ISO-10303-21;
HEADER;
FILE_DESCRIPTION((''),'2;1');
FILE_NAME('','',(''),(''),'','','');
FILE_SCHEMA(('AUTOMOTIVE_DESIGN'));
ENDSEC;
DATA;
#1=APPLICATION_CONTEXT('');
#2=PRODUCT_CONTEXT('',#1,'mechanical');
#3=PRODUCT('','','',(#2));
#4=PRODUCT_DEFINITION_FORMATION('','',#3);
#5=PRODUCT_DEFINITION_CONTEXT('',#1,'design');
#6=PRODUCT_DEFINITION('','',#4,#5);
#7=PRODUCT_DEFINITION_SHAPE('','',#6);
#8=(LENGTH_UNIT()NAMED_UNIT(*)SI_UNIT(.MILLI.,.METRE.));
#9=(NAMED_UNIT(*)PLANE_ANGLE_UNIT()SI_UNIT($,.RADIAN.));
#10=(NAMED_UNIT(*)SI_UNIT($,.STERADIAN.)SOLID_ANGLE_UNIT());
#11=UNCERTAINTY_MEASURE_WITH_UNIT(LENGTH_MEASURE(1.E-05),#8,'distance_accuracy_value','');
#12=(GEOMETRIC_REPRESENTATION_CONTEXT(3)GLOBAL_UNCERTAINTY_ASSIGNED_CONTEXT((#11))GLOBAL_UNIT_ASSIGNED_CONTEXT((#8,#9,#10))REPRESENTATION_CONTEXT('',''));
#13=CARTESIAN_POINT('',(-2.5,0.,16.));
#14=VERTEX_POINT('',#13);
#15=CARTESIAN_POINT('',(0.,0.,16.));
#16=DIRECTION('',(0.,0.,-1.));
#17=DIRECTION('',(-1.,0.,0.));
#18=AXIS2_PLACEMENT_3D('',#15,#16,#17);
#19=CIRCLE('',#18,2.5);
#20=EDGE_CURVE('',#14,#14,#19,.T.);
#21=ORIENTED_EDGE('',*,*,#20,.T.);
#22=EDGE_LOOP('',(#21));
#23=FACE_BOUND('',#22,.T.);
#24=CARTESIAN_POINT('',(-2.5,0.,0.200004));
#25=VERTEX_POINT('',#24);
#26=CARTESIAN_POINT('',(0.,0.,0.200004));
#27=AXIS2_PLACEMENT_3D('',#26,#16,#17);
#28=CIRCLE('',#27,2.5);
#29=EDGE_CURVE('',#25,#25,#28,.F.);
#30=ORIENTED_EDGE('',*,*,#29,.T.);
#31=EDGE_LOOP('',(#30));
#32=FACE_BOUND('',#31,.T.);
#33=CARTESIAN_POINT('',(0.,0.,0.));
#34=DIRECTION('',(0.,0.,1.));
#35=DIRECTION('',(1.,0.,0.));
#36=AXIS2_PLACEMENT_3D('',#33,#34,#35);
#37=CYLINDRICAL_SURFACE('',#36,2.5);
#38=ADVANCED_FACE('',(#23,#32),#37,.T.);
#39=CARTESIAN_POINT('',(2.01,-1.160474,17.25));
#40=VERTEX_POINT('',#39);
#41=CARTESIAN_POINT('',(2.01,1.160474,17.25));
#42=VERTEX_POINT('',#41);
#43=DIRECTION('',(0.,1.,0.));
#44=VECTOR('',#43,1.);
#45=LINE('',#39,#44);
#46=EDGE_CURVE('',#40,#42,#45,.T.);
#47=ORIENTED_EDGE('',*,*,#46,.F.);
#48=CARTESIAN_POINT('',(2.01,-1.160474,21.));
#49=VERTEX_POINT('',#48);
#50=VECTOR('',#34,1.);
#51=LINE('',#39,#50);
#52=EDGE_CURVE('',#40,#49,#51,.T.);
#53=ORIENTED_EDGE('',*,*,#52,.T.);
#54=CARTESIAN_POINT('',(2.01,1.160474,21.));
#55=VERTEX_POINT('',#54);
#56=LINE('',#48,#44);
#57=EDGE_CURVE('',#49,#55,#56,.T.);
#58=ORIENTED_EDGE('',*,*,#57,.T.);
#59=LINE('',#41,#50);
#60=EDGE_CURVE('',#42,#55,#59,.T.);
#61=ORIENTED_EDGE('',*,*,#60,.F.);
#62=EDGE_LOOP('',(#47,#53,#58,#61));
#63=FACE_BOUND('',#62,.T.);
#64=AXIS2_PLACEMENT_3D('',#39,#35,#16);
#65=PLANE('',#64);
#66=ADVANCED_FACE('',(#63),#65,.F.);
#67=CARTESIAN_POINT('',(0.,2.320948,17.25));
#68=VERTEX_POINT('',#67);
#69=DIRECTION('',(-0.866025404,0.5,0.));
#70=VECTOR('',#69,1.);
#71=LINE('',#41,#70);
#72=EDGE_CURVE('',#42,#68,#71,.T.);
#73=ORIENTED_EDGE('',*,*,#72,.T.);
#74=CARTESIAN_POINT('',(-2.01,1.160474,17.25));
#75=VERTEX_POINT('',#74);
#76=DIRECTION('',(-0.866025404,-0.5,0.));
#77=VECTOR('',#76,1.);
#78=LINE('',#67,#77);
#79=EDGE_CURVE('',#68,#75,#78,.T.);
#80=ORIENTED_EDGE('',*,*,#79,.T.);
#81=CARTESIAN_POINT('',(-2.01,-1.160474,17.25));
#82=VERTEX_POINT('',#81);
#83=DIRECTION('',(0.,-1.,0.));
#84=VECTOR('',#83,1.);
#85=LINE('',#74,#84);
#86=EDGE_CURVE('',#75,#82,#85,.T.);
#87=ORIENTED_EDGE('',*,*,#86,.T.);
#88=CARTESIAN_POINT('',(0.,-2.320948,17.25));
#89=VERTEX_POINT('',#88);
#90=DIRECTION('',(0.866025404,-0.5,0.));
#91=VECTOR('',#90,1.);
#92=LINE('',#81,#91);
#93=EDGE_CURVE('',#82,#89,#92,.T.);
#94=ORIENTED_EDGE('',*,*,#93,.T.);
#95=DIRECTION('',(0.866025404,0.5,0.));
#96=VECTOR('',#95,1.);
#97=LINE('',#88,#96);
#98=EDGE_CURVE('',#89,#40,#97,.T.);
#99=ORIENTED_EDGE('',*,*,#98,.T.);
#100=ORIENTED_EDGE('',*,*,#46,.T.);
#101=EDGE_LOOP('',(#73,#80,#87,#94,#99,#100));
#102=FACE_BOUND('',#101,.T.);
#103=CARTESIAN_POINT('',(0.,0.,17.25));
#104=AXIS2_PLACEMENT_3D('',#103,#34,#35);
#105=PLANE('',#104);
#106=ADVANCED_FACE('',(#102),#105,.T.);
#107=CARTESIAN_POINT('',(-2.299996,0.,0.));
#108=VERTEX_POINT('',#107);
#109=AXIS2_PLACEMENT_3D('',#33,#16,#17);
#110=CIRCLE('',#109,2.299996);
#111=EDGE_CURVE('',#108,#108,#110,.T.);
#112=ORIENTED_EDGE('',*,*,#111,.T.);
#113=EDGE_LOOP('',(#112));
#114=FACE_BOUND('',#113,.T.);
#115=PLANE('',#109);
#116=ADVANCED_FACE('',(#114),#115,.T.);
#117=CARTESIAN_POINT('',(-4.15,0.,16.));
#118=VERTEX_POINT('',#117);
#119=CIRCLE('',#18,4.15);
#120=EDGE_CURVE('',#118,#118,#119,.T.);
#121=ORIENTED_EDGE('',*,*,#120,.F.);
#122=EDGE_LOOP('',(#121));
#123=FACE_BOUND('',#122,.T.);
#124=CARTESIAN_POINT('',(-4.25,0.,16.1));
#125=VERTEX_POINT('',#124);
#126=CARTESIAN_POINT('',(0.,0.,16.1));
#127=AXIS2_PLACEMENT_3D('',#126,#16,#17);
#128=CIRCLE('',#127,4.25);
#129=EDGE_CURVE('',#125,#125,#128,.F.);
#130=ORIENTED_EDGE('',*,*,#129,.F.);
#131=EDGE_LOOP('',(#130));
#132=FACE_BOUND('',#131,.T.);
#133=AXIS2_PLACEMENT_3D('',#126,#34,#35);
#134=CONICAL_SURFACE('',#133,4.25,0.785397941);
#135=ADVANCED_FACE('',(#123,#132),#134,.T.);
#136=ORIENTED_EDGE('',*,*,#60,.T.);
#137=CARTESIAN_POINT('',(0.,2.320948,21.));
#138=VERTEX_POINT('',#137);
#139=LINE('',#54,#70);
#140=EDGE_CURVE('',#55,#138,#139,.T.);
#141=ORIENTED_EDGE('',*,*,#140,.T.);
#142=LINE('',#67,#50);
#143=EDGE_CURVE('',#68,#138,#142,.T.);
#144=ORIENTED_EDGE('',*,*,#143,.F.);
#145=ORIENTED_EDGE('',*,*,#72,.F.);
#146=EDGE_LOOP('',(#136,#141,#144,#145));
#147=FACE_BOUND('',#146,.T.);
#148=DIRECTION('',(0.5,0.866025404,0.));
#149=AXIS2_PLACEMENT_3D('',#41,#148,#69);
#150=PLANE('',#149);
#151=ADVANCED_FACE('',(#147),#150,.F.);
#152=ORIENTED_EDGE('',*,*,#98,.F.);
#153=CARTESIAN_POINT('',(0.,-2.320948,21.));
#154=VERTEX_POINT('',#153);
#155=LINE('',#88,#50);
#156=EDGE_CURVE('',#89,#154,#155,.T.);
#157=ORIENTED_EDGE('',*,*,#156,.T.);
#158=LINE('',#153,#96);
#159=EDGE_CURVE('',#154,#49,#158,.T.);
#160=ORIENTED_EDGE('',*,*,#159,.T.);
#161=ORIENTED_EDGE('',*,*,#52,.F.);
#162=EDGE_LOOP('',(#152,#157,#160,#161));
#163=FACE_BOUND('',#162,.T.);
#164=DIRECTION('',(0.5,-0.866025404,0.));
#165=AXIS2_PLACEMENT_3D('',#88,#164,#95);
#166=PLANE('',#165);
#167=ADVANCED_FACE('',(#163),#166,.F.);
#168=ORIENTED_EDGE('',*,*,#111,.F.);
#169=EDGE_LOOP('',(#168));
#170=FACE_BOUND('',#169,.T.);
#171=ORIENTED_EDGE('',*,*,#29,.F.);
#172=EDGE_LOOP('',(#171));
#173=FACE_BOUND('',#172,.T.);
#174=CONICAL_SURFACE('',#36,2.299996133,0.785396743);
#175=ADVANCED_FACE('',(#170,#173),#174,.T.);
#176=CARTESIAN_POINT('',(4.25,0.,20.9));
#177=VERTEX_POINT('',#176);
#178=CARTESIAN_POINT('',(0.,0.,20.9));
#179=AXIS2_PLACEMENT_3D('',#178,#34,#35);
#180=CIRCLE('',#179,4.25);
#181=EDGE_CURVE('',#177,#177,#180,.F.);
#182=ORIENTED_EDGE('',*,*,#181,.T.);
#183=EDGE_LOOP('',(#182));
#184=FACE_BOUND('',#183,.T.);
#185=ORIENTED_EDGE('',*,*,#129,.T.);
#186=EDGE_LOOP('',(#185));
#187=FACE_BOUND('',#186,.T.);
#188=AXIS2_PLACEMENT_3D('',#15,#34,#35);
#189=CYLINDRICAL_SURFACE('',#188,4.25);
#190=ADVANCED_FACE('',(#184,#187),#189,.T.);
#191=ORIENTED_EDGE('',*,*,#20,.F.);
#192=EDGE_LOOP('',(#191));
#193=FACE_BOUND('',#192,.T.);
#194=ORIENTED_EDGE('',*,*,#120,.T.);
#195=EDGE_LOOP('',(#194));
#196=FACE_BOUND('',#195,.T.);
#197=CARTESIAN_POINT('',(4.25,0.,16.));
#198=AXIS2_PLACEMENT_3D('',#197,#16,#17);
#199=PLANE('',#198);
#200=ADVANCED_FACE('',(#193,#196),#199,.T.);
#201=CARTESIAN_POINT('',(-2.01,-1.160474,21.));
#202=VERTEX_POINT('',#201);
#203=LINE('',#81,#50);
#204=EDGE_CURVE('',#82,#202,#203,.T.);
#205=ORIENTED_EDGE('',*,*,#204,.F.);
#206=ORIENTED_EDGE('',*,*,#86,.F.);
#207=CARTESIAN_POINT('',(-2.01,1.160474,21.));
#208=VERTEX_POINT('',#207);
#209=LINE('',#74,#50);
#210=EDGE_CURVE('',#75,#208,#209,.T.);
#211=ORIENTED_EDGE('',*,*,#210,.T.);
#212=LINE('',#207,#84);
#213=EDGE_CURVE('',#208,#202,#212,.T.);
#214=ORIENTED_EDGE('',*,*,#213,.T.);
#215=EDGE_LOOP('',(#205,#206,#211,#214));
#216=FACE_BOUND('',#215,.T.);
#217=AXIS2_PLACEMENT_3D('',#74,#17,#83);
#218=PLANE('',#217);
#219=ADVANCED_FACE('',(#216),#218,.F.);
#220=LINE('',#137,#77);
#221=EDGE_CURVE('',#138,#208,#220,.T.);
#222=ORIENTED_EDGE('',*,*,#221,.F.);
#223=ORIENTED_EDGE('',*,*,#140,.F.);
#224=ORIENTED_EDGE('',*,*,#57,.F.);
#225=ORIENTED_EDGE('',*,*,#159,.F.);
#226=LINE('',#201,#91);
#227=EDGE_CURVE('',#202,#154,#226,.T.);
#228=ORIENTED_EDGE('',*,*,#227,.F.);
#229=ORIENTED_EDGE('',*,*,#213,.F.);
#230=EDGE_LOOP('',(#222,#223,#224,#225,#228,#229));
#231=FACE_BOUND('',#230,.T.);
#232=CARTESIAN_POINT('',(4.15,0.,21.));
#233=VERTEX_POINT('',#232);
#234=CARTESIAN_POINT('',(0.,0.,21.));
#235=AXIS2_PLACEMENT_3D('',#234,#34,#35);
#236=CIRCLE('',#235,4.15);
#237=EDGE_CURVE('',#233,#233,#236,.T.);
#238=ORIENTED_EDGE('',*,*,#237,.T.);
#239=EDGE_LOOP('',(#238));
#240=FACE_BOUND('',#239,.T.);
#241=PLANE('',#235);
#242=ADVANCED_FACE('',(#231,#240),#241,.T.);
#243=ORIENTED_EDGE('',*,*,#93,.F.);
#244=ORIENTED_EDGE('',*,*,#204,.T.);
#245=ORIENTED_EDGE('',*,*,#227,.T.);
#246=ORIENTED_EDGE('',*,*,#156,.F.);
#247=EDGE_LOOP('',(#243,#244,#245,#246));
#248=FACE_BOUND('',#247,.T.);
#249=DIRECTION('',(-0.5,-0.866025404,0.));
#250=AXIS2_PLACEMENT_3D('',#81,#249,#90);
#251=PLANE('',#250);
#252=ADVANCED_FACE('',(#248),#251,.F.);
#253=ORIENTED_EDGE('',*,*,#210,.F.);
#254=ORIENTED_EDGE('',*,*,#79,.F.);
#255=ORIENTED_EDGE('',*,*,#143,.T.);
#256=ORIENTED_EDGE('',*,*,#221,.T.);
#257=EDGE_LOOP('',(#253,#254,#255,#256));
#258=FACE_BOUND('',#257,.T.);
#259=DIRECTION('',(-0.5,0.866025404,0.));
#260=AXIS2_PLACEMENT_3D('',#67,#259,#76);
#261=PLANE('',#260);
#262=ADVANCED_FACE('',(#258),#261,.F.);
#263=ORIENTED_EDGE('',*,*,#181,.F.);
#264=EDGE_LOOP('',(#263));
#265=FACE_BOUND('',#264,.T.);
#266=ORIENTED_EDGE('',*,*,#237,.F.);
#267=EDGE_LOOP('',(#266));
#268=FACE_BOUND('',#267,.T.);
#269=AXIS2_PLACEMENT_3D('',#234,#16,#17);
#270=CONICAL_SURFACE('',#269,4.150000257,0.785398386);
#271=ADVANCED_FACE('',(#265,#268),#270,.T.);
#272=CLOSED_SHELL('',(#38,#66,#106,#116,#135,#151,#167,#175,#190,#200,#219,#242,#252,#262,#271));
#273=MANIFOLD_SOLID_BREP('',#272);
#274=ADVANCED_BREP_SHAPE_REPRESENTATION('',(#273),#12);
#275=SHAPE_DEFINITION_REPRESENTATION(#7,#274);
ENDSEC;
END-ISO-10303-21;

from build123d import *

# Parameters (mm, degrees)
SKETCH_1_W          = 4.25
SKETCH_1_H          = 5
SKETCH_2_R          = 2.5
EXTRUDE_1_DEPTH     = 16
CUT_EXTRUDE_1_DEPTH = 3.75
CHAMFER_1_SIZE2     = 0.099999698
CHAMFER_1_SIZE      = 0.099999743
CHAMFER_2_SIZE      = 0.200003867
CHAMFER_2_SIZE2     = 0.200004435


with BuildPart() as part:
    # 草图1 → 旋转1 (revolve)
    with BuildSketch(Plane(origin=(0, 0, 0), x_dir=(1, 0, 0), z_dir=(0, 1, 0))):
        with Locations((2.125, -18.5)):
            Rectangle(SKETCH_1_W, SKETCH_1_H)
    revolve(axis=Axis((0, 0, 16), (0, 0, 1)))

    # 草图2 → 凸台-拉伸1 (add)
    with BuildSketch(Plane(origin=(0, 0, 16), x_dir=(-1, 0, 0), z_dir=(0, 0, -1))):
        Circle(SKETCH_2_R)
    extrude(amount=EXTRUDE_1_DEPTH)

    # 草图3 → 切除-拉伸1 (cut)
    with BuildSketch(Plane.XY.offset(21)):
        Polygon((-2.01, -1.160474041), (0, -2.320948082), (2.01, -1.160474041), (2.01, 1.160474041), (0, 2.320948082), (-2.01, 1.160474041), align=None)
    extrude(amount=-CUT_EXTRUDE_1_DEPTH, mode=Mode.SUBTRACT)

    # 倒角1
    chamfer_1_edges = [part.edges().sort_by_distance(p)[0] for p in [
        (-4.25, 0, 21),
        (-4.25, 0, 16),
    ]]
    chamfer(chamfer_1_edges, length=CHAMFER_1_SIZE, length2=CHAMFER_1_SIZE2)

    # 倒角2
    chamfer_2_edges = [part.edges().sort_by_distance(p)[0] for p in [
        (2.5, 0, 0),
    ]]
    chamfer_2_side = [part.faces().sort_by_distance(p)[0] for p in [
        (2.5, 0, 8),
    ]]
    chamfer(chamfer_2_edges, length=CHAMFER_2_SIZE, length2=CHAMFER_2_SIZE2, reference=chamfer_2_side[0])


solid = part.part
